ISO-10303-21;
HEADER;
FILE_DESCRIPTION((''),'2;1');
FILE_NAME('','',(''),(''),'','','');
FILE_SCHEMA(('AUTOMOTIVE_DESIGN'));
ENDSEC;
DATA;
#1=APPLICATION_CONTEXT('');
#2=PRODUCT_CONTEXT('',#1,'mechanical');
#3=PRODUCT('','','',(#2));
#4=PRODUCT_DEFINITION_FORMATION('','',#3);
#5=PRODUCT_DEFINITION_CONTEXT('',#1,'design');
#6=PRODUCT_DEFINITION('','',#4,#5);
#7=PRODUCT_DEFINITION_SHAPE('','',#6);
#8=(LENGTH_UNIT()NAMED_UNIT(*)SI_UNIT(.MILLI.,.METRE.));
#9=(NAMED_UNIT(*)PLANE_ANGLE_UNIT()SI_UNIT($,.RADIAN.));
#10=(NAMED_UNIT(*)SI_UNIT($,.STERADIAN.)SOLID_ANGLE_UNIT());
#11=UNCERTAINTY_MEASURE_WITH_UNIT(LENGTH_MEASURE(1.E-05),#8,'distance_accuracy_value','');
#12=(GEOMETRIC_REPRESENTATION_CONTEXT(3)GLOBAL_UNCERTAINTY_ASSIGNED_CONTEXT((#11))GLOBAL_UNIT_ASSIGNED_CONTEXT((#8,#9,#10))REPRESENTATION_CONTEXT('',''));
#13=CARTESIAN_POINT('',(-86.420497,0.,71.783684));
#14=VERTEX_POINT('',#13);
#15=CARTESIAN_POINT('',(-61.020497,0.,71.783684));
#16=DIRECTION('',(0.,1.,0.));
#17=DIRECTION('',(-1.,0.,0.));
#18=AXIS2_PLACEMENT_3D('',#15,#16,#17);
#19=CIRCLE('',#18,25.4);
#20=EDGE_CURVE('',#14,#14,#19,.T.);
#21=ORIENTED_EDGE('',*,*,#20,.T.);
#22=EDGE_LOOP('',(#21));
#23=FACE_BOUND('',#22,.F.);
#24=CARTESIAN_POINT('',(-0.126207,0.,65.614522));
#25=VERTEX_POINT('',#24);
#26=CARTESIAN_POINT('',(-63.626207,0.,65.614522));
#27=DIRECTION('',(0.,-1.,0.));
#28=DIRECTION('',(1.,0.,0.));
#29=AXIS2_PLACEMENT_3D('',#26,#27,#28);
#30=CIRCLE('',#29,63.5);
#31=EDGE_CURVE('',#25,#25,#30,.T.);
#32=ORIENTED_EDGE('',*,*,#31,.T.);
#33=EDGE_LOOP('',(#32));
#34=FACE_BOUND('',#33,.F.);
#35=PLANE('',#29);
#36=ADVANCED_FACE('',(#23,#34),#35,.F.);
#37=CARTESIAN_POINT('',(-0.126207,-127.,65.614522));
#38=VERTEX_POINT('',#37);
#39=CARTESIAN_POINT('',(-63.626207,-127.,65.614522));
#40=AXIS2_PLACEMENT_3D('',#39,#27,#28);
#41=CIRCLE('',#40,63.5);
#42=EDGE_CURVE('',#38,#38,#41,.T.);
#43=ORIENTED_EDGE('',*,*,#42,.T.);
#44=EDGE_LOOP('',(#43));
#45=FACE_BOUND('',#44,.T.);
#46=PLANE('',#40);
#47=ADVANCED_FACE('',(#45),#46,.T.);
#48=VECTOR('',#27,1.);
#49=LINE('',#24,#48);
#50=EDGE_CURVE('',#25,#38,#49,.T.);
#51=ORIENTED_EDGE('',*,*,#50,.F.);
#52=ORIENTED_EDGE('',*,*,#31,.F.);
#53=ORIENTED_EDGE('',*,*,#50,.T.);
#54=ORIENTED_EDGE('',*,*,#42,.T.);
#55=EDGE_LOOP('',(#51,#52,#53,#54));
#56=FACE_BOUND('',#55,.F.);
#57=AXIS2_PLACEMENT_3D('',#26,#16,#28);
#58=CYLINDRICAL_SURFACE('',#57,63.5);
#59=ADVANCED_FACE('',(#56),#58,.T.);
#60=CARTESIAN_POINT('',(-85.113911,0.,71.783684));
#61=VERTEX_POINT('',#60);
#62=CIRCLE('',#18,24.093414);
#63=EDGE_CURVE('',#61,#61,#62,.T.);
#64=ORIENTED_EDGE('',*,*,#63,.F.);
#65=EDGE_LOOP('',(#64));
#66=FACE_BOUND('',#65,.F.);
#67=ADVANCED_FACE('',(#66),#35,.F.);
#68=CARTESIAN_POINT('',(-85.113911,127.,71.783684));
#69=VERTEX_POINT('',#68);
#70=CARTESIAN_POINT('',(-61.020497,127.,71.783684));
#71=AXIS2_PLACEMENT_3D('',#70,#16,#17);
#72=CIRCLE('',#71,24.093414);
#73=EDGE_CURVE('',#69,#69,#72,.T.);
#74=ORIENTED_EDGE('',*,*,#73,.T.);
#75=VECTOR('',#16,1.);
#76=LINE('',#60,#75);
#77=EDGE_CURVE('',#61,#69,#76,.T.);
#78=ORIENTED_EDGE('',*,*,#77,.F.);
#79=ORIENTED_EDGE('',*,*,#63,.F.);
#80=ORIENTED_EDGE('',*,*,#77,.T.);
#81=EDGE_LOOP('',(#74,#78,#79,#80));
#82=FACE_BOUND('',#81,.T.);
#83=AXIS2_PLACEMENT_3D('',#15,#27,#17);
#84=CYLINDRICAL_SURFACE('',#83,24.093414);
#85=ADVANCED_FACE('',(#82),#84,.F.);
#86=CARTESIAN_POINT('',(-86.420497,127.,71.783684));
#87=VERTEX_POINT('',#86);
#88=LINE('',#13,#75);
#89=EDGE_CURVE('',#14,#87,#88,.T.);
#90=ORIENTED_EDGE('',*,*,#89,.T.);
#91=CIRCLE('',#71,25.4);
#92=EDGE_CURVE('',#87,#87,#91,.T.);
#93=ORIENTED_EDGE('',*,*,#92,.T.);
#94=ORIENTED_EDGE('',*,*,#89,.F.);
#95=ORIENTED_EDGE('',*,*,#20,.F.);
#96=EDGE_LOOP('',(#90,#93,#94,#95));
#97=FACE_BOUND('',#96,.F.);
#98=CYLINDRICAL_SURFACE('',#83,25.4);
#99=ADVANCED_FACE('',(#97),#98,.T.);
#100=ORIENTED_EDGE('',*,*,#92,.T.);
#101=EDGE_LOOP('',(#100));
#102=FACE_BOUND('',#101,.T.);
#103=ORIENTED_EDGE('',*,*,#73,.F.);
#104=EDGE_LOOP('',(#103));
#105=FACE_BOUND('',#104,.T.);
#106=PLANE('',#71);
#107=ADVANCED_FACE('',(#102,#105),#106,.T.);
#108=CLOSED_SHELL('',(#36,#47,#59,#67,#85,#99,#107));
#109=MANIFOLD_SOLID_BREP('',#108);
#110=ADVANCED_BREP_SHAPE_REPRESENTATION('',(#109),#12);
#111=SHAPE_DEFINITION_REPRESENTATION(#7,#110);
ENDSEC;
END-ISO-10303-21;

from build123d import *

# Parameters (mm, degrees)
F0_R     = 63.5
F1_DEPTH = 127
F2_R     = 25.4
F2_R_2   = 24.093414
F3_DEPTH = 127


with BuildPart() as f1:
    # F0 (on Front) → F1 (new body)
    with BuildSketch(Plane.XZ):
        with Locations((-63.626207, 65.614522)):
            Circle(F0_R)
    extrude(amount=F1_DEPTH)

    # F2 (on face) → F3 (join)
    with BuildSketch(Plane(origin=(0, 0, 0), x_dir=(-1, 0, 0), z_dir=(0, 1, 0))):
        with Locations((61.020497, 71.783684)):
            Circle(F2_R)
        with Locations((61.020497, 71.783684)):
            Circle(F2_R_2, mode=Mode.SUBTRACT)
    extrude(amount=F3_DEPTH)


solid = f1.part
